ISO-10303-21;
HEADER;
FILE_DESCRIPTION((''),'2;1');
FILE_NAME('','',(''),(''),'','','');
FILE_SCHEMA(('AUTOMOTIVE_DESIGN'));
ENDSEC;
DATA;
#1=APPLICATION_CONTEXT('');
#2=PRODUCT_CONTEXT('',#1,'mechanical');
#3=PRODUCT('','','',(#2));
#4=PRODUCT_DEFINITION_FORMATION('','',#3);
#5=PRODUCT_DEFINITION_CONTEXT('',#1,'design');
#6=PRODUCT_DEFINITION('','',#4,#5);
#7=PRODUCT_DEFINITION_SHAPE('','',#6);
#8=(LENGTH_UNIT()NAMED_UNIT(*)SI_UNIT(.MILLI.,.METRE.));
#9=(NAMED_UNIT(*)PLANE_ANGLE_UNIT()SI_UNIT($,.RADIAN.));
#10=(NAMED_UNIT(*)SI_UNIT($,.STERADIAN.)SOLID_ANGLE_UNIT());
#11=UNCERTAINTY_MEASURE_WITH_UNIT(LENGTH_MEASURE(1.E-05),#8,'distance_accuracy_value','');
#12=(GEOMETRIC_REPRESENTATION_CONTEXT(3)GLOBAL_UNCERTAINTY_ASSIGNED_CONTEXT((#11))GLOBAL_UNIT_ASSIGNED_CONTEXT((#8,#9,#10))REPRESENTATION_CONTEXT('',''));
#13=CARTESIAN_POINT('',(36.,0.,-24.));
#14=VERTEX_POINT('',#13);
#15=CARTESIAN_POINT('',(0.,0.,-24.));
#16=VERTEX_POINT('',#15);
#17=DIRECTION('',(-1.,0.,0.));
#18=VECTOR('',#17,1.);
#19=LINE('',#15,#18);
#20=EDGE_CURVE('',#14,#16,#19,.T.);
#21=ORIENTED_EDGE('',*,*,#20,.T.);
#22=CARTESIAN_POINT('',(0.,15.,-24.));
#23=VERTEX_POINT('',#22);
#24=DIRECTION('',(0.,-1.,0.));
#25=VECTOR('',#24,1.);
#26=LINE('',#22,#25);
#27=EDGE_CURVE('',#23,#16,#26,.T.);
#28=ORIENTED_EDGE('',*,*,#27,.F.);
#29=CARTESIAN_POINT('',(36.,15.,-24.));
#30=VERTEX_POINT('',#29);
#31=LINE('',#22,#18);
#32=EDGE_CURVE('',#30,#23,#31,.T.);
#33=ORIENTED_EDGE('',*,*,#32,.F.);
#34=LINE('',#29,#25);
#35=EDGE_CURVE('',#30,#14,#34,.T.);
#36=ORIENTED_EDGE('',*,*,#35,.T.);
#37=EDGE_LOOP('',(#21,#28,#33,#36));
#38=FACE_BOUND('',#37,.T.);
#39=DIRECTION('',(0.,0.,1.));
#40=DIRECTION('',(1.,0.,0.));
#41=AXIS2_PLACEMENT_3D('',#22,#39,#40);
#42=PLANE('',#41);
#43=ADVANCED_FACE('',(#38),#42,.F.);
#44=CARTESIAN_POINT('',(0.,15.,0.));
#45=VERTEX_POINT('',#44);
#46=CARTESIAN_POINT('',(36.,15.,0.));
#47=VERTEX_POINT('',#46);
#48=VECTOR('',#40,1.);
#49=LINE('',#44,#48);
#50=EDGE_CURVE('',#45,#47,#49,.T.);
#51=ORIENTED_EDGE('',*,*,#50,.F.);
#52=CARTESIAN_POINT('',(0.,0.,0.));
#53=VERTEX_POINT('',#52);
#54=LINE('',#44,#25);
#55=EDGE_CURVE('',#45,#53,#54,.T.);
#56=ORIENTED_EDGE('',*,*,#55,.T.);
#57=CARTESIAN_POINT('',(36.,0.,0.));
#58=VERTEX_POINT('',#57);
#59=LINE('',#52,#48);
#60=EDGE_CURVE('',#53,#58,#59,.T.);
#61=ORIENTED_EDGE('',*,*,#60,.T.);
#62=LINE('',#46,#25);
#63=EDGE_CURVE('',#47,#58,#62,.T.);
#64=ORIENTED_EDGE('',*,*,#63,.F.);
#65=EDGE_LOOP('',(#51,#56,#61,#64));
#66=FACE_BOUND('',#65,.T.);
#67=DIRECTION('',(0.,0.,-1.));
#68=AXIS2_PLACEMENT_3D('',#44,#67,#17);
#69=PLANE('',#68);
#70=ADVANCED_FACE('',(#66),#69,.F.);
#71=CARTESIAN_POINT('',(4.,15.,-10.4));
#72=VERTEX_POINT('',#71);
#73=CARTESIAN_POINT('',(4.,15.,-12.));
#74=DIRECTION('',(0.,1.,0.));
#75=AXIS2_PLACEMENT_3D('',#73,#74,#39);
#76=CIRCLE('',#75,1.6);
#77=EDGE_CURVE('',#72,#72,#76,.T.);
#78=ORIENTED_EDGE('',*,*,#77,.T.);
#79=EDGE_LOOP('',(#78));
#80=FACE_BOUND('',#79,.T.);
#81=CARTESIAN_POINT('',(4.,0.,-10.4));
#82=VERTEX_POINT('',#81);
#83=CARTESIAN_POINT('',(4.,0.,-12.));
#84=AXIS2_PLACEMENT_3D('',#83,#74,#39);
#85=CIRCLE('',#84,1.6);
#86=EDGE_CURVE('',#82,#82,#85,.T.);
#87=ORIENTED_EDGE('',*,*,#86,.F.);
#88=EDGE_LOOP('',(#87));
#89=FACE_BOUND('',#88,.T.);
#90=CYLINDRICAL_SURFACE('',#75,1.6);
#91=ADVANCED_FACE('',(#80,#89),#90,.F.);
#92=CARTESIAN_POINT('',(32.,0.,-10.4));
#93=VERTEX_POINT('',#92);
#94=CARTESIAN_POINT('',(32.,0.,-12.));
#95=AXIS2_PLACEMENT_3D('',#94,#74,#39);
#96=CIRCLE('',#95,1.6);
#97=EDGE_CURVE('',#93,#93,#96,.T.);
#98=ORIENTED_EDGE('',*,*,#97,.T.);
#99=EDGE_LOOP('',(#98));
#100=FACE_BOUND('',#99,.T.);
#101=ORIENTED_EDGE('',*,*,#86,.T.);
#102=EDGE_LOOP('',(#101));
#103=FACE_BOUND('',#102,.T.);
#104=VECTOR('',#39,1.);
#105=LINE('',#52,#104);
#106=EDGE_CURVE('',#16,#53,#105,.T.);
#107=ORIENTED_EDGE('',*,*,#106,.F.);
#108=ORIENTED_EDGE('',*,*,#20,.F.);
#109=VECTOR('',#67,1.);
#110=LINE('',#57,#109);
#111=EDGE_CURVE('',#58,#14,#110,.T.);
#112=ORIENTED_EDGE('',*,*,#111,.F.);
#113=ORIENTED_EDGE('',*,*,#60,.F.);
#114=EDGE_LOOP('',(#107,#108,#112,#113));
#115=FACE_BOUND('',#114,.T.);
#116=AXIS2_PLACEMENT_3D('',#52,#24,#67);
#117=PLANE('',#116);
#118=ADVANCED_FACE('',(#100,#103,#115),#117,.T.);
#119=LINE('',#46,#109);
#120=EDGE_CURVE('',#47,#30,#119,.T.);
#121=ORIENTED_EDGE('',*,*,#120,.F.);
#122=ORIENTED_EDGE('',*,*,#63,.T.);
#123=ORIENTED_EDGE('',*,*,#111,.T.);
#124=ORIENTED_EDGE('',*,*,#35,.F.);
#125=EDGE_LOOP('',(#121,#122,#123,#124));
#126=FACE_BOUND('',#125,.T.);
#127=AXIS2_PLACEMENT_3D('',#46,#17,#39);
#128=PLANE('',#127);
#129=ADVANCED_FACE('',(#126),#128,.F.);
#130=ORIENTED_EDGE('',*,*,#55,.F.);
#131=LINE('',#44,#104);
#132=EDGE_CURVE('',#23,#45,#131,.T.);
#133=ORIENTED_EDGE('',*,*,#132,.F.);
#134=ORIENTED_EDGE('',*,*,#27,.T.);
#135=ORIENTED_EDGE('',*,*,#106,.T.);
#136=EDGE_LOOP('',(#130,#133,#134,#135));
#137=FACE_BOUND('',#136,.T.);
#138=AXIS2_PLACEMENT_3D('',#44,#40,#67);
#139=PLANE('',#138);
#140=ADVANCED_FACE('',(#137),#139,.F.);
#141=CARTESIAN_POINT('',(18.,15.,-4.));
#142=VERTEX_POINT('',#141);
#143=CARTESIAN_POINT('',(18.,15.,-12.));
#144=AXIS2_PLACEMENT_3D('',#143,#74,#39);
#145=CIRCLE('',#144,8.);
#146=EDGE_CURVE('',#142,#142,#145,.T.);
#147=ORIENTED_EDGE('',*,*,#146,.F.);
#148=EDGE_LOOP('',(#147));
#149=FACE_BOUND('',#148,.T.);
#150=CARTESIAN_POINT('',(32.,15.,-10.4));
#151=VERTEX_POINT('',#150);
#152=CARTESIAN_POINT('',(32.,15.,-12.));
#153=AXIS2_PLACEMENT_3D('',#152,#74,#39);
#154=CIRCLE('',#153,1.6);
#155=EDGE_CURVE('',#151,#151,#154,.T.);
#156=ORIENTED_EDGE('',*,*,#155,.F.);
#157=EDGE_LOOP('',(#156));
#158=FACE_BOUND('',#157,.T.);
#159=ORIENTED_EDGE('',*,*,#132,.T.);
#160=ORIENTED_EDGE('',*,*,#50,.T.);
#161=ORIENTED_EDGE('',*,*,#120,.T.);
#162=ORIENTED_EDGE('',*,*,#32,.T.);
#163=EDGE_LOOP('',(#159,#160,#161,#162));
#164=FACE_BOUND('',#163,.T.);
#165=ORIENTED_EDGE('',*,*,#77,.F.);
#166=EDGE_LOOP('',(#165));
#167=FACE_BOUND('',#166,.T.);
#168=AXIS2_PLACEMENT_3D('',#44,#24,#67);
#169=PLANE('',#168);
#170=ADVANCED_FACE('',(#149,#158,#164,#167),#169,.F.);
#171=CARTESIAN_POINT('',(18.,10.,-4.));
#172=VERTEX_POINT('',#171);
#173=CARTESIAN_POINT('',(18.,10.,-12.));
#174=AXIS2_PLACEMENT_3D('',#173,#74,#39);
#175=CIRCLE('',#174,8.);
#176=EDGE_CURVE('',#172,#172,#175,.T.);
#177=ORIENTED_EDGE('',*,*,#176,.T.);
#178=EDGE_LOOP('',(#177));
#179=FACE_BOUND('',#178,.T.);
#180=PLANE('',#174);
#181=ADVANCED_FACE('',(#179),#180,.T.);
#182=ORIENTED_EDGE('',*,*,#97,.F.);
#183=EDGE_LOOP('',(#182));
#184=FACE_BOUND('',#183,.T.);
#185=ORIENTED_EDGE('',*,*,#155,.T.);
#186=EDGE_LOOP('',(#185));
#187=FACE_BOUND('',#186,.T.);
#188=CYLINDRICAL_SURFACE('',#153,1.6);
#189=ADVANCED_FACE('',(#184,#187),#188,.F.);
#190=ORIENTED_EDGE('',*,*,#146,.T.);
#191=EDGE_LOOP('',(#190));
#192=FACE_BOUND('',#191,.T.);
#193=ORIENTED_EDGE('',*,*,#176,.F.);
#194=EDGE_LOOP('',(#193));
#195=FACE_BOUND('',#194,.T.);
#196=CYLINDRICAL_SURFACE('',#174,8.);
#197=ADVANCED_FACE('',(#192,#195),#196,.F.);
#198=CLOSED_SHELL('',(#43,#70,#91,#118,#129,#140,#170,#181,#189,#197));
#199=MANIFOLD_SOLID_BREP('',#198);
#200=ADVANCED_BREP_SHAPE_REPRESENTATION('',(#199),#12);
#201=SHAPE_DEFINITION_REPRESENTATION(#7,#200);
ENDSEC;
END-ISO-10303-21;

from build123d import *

# Parameters (mm, degrees)
SKETCH1_W                  = 36
SKETCH1_H                  = 24
BOSS_EXTRUDE1_DEPTH        = 15
SKETCH2_R                  = 8
CUT_EXTRUDE1_DEPTH         = 5
F_3_2_3_2_DIAMETER_HOLE1_D = 3.2


with BuildPart() as part:
    # Sketch1 → Boss-Extrude1 (new body)
    with BuildSketch(Plane(origin=(0, 0, 0), x_dir=(1, 0, 0), z_dir=(0, 1, 0))):
        with Locations((18, 12)):
            Rectangle(SKETCH1_W, SKETCH1_H)
    extrude(amount=BOSS_EXTRUDE1_DEPTH)

    # Sketch2 → Cut-Extrude1 (cut)
    with BuildSketch(Plane(origin=(0, 15, 0), x_dir=(1, 0, 0), z_dir=(0, 1, 0))):
        with Locations(Location((18, 12, 0), (0, 0, 270))):
            Circle(SKETCH2_R)
    extrude(amount=-CUT_EXTRUDE1_DEPTH, mode=Mode.SUBTRACT)

    # Ø3.2 (3.2) Diameter Hole1 (through all)
    with Locations(Plane(origin=(0, 15, 0), x_dir=(1, 0, 0), z_dir=(0, 1, 0))):
        with Locations((4, 12), (32, 12)):
            Hole(F_3_2_3_2_DIAMETER_HOLE1_D / 2)


solid = part.part
